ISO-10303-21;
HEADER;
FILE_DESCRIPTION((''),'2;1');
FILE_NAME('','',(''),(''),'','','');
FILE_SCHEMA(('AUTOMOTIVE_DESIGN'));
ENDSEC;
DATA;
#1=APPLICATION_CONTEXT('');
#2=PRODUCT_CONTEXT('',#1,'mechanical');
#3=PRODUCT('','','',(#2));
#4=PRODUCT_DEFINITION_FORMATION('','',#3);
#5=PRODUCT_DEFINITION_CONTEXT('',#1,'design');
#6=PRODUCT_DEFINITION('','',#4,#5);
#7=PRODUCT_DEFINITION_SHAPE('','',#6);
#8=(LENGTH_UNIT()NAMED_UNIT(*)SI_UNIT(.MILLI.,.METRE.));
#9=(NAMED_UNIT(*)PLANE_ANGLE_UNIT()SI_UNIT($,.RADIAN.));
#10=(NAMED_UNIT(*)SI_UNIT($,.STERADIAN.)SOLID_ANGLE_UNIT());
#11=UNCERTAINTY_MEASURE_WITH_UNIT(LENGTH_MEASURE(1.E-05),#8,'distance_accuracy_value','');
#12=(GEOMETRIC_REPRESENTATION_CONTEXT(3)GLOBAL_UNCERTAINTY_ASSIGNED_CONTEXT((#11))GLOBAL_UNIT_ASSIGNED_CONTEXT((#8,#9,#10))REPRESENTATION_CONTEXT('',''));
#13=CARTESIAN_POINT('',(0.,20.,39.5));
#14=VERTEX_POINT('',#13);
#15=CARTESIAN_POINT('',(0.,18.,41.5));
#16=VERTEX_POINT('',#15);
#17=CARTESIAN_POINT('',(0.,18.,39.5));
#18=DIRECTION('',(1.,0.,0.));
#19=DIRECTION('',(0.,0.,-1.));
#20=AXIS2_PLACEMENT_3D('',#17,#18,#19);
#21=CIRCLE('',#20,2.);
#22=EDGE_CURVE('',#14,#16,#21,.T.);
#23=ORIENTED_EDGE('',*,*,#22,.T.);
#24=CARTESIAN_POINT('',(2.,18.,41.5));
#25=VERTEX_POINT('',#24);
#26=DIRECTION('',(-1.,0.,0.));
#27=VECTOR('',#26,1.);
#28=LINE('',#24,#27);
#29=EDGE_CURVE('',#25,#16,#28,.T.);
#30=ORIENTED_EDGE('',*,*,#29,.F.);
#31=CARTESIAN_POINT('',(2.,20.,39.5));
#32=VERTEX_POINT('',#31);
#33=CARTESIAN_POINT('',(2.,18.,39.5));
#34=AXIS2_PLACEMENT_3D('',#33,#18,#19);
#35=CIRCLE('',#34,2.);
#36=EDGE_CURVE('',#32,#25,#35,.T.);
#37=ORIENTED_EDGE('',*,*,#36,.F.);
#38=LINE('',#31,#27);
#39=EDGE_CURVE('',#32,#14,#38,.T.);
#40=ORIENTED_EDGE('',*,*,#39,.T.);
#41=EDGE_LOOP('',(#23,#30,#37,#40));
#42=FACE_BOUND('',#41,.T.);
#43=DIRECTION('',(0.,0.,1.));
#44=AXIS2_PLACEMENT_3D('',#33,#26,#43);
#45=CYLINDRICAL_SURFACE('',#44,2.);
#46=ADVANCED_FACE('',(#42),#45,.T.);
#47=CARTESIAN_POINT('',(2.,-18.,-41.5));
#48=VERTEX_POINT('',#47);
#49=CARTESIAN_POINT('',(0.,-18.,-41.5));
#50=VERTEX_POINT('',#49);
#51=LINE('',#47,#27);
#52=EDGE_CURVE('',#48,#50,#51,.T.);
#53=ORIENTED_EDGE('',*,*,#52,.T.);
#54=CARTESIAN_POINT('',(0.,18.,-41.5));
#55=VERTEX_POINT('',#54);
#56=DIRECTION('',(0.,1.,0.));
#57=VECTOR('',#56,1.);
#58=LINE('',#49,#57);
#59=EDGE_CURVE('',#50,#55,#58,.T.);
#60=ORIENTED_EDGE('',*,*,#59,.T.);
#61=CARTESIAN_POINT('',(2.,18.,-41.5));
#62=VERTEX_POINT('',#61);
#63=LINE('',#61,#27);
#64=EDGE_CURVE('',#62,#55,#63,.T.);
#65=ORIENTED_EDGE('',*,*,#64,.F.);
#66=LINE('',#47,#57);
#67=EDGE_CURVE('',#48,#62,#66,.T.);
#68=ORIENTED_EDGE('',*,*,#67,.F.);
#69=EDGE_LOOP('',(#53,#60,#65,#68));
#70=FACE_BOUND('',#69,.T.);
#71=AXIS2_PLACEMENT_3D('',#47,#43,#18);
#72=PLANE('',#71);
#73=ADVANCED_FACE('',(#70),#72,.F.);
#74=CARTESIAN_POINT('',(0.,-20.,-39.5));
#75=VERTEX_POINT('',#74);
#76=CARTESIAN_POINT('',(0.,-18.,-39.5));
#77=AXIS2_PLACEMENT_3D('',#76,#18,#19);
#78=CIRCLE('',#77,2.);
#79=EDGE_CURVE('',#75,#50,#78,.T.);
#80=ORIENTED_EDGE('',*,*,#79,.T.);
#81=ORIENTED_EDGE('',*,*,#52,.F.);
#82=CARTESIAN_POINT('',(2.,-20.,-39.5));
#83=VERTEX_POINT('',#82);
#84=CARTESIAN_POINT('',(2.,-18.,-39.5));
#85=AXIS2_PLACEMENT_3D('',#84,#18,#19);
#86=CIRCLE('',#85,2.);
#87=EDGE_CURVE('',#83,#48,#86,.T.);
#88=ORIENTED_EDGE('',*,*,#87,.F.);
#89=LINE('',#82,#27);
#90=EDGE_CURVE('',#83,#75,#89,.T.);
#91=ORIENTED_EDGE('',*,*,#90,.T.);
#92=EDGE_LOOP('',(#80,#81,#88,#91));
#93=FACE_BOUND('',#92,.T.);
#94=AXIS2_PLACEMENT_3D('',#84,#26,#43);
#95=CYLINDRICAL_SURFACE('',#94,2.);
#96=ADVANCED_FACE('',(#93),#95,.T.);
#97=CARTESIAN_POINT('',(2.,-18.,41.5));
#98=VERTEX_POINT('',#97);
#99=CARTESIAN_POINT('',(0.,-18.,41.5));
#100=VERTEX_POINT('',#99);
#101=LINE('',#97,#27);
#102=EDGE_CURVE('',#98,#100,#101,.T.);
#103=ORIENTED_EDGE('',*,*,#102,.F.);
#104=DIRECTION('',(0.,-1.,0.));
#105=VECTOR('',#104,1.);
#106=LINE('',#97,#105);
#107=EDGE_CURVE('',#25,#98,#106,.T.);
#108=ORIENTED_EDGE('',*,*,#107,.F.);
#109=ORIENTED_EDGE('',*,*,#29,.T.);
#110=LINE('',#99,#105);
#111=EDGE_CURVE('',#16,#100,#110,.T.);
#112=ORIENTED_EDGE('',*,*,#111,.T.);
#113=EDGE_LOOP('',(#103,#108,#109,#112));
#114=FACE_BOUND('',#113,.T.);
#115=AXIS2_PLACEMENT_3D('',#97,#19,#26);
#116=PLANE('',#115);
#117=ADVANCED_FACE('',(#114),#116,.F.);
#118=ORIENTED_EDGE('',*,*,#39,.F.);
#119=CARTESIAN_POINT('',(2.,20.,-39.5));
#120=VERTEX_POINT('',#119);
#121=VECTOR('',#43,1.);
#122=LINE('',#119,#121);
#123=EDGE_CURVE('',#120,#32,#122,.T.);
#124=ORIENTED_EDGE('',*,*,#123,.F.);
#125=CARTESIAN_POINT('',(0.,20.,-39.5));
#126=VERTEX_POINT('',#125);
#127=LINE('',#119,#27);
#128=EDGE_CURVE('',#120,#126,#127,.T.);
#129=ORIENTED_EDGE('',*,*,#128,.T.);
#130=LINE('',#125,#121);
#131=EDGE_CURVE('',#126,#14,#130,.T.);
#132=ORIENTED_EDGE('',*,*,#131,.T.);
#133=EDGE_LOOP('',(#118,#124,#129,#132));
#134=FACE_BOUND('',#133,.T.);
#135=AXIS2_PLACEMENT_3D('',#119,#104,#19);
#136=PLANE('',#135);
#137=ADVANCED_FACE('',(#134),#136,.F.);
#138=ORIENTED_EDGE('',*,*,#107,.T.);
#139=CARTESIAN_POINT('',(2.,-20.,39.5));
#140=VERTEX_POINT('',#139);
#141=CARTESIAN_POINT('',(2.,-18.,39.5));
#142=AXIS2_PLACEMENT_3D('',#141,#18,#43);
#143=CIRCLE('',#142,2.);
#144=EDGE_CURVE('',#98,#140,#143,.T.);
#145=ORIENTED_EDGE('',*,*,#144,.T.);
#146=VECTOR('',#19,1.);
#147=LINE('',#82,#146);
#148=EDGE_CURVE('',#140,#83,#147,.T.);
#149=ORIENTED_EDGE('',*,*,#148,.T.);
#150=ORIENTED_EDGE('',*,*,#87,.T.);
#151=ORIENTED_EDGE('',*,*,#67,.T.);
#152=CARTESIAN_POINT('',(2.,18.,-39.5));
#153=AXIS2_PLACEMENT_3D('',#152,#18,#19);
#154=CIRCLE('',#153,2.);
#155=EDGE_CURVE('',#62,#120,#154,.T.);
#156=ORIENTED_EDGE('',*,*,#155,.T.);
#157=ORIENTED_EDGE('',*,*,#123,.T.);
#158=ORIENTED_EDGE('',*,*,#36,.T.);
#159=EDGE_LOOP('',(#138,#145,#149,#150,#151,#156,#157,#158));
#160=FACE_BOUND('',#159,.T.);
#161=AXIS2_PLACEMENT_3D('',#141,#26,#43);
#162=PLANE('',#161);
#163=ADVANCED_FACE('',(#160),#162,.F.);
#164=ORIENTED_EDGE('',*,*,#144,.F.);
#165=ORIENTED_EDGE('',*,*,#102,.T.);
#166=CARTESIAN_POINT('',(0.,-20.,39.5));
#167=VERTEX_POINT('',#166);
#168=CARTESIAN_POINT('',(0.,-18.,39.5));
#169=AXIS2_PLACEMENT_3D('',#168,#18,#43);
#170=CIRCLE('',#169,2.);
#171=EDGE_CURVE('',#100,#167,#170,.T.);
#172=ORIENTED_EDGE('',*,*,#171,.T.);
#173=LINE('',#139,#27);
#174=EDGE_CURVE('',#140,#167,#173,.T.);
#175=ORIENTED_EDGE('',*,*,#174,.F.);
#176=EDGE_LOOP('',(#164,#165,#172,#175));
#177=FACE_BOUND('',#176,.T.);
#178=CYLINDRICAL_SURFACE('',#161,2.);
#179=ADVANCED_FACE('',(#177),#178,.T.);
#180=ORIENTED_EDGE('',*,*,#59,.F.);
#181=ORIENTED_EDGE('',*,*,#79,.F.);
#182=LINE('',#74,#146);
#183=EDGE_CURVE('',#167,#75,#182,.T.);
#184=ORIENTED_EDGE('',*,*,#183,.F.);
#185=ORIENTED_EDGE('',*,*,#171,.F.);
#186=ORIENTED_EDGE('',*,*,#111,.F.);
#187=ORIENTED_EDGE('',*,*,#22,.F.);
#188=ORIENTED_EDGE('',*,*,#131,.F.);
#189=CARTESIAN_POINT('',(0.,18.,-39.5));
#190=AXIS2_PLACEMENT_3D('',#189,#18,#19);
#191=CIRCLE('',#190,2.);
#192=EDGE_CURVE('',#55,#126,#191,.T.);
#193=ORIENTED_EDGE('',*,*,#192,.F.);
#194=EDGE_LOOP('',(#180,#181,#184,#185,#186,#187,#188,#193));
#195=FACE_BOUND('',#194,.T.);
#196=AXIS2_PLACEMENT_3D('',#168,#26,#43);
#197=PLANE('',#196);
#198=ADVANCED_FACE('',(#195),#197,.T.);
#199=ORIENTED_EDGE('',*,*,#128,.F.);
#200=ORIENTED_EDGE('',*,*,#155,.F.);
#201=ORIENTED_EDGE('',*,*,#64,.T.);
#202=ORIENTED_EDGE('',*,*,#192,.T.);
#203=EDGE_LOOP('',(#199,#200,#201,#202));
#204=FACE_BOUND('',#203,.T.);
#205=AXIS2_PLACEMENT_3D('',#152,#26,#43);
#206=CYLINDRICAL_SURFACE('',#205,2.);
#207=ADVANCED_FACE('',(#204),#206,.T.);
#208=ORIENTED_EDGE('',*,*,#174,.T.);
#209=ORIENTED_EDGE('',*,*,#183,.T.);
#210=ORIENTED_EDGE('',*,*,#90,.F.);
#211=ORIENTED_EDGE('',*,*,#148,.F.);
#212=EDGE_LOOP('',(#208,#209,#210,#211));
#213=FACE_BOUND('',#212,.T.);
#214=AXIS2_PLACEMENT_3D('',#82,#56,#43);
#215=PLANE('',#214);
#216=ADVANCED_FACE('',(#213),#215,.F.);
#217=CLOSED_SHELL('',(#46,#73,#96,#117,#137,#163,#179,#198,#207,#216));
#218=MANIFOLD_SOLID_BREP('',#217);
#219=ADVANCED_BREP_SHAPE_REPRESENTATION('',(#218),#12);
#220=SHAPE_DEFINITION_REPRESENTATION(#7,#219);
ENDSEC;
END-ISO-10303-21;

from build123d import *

# Parameters (mm, degrees)
BOSS_EXTRU_1_DEPTH = 2


with BuildPart() as part:
    # Esquisse1 → Boss.-Extru.1 (new body)
    with BuildSketch(Plane(origin=(0, 0, 0), x_dir=(0, 0, -1), z_dir=(1, 0, 0))):
        with BuildLine():
            Line((39.5, -20), (-39.5, -20))
            ThreePointArc((-39.5, -20), (-40.914213562, -19.414213562), (-41.5, -18))
            Line((-41.5, -18), (-41.5, 18))
            ThreePointArc((-41.5, 18), (-40.914213562, 19.414213562), (-39.5, 20))
            Line((-39.5, 20), (39.5, 20))
            ThreePointArc((39.5, 20), (40.914213562, 19.414213562), (41.5, 18))
            Line((41.5, 18), (41.5, -18))
            ThreePointArc((41.5, -18), (40.914213562, -19.414213562), (39.5, -20))
        make_face()
    extrude(amount=BOSS_EXTRU_1_DEPTH)


solid = part.part
